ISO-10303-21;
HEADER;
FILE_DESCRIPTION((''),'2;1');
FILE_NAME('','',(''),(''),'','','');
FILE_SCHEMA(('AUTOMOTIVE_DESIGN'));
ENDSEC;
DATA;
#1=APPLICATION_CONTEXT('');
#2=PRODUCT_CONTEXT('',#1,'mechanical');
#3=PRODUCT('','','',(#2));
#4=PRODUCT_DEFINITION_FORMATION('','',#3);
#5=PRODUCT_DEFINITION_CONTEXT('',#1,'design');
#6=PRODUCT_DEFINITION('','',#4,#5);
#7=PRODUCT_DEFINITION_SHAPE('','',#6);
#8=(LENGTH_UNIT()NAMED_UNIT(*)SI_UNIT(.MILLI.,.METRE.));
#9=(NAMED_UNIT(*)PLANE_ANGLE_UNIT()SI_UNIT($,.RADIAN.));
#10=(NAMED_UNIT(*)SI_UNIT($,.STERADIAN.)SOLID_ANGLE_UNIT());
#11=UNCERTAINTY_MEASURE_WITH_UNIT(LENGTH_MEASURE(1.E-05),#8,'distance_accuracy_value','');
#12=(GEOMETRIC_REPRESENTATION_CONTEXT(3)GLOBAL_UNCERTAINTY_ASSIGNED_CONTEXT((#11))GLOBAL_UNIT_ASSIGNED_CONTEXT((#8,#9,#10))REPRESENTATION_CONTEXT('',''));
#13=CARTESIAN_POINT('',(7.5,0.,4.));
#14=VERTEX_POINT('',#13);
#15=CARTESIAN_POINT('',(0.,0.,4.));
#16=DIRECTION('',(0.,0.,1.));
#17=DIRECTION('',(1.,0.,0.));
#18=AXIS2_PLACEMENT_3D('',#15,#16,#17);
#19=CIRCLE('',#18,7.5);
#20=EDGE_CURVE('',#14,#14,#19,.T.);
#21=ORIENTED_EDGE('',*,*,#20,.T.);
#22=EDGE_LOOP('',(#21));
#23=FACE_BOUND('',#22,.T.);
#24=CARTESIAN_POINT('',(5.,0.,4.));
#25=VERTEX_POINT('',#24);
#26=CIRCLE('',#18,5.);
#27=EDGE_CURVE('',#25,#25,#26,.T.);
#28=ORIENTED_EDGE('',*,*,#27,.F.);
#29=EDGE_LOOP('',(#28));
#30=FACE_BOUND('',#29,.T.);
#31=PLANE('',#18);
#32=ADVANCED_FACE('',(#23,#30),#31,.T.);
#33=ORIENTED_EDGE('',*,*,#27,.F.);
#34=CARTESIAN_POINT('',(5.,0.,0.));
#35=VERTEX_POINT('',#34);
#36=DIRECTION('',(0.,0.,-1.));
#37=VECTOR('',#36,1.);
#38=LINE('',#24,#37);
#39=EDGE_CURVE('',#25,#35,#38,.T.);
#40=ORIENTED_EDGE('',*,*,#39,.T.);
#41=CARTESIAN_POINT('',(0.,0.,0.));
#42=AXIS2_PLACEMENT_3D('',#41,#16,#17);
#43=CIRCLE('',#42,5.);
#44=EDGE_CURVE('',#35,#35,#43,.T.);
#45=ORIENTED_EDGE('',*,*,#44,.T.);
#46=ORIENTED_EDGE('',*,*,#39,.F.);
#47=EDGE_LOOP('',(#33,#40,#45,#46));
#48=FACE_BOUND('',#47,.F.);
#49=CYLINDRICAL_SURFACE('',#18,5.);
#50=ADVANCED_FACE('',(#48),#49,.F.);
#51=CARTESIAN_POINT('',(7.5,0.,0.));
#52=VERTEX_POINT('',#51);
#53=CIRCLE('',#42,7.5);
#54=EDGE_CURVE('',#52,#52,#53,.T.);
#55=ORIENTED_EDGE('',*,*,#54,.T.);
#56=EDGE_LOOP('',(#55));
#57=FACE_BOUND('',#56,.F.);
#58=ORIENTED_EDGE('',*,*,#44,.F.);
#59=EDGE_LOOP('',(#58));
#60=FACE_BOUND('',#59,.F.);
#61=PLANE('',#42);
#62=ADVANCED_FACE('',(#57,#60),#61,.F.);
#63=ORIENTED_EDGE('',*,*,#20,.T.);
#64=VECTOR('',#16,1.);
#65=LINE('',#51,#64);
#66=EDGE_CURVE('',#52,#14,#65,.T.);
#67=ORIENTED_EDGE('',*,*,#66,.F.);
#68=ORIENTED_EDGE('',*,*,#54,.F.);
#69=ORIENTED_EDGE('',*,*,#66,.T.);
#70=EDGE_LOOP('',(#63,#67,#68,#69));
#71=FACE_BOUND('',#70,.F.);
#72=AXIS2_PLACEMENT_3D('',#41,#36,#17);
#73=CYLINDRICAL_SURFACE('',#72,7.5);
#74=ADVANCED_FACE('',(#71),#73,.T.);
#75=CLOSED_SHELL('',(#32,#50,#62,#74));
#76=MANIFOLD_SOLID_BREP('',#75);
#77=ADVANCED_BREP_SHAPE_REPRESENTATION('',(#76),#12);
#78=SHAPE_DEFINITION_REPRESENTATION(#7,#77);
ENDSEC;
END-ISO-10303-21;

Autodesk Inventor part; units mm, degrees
ref_plane "YZ Plane" through (0, 0, 0) normal (1, 0, 0) x (0, 1, 0)
ref_plane "XZ Plane" through (0, 0, 0) normal (0, 1, 0) x (-1, 0, 0)
ref_plane "XY Plane" through (0, 0, 0) normal (0, 0, 1) x (1, 0, 0)
sketch "Эскиз1" plane through (0, 0, 0) normal (0, 0, 1) x (1, 0, 0)
  circle A0 centre (0, 0) radius 7.5
  dimension "d0" = 15
extrude "Выдавливание1" add sketch "Эскиз1" along normal blind 4
sketch "Эскиз2" plane through (0, 0, 4) normal (0, 0, 1) x (1, 0, 0)
  circle A0 centre (0, 0) radius 5
  circle A1 centre (0, 0) radius 7.5 projected
  dimension "d3" = 10
extrude "Выдавливание2" cut sketch "Эскиз2" against normal blind 4 contours A0
properties part number "Bearing 10x15x4"
